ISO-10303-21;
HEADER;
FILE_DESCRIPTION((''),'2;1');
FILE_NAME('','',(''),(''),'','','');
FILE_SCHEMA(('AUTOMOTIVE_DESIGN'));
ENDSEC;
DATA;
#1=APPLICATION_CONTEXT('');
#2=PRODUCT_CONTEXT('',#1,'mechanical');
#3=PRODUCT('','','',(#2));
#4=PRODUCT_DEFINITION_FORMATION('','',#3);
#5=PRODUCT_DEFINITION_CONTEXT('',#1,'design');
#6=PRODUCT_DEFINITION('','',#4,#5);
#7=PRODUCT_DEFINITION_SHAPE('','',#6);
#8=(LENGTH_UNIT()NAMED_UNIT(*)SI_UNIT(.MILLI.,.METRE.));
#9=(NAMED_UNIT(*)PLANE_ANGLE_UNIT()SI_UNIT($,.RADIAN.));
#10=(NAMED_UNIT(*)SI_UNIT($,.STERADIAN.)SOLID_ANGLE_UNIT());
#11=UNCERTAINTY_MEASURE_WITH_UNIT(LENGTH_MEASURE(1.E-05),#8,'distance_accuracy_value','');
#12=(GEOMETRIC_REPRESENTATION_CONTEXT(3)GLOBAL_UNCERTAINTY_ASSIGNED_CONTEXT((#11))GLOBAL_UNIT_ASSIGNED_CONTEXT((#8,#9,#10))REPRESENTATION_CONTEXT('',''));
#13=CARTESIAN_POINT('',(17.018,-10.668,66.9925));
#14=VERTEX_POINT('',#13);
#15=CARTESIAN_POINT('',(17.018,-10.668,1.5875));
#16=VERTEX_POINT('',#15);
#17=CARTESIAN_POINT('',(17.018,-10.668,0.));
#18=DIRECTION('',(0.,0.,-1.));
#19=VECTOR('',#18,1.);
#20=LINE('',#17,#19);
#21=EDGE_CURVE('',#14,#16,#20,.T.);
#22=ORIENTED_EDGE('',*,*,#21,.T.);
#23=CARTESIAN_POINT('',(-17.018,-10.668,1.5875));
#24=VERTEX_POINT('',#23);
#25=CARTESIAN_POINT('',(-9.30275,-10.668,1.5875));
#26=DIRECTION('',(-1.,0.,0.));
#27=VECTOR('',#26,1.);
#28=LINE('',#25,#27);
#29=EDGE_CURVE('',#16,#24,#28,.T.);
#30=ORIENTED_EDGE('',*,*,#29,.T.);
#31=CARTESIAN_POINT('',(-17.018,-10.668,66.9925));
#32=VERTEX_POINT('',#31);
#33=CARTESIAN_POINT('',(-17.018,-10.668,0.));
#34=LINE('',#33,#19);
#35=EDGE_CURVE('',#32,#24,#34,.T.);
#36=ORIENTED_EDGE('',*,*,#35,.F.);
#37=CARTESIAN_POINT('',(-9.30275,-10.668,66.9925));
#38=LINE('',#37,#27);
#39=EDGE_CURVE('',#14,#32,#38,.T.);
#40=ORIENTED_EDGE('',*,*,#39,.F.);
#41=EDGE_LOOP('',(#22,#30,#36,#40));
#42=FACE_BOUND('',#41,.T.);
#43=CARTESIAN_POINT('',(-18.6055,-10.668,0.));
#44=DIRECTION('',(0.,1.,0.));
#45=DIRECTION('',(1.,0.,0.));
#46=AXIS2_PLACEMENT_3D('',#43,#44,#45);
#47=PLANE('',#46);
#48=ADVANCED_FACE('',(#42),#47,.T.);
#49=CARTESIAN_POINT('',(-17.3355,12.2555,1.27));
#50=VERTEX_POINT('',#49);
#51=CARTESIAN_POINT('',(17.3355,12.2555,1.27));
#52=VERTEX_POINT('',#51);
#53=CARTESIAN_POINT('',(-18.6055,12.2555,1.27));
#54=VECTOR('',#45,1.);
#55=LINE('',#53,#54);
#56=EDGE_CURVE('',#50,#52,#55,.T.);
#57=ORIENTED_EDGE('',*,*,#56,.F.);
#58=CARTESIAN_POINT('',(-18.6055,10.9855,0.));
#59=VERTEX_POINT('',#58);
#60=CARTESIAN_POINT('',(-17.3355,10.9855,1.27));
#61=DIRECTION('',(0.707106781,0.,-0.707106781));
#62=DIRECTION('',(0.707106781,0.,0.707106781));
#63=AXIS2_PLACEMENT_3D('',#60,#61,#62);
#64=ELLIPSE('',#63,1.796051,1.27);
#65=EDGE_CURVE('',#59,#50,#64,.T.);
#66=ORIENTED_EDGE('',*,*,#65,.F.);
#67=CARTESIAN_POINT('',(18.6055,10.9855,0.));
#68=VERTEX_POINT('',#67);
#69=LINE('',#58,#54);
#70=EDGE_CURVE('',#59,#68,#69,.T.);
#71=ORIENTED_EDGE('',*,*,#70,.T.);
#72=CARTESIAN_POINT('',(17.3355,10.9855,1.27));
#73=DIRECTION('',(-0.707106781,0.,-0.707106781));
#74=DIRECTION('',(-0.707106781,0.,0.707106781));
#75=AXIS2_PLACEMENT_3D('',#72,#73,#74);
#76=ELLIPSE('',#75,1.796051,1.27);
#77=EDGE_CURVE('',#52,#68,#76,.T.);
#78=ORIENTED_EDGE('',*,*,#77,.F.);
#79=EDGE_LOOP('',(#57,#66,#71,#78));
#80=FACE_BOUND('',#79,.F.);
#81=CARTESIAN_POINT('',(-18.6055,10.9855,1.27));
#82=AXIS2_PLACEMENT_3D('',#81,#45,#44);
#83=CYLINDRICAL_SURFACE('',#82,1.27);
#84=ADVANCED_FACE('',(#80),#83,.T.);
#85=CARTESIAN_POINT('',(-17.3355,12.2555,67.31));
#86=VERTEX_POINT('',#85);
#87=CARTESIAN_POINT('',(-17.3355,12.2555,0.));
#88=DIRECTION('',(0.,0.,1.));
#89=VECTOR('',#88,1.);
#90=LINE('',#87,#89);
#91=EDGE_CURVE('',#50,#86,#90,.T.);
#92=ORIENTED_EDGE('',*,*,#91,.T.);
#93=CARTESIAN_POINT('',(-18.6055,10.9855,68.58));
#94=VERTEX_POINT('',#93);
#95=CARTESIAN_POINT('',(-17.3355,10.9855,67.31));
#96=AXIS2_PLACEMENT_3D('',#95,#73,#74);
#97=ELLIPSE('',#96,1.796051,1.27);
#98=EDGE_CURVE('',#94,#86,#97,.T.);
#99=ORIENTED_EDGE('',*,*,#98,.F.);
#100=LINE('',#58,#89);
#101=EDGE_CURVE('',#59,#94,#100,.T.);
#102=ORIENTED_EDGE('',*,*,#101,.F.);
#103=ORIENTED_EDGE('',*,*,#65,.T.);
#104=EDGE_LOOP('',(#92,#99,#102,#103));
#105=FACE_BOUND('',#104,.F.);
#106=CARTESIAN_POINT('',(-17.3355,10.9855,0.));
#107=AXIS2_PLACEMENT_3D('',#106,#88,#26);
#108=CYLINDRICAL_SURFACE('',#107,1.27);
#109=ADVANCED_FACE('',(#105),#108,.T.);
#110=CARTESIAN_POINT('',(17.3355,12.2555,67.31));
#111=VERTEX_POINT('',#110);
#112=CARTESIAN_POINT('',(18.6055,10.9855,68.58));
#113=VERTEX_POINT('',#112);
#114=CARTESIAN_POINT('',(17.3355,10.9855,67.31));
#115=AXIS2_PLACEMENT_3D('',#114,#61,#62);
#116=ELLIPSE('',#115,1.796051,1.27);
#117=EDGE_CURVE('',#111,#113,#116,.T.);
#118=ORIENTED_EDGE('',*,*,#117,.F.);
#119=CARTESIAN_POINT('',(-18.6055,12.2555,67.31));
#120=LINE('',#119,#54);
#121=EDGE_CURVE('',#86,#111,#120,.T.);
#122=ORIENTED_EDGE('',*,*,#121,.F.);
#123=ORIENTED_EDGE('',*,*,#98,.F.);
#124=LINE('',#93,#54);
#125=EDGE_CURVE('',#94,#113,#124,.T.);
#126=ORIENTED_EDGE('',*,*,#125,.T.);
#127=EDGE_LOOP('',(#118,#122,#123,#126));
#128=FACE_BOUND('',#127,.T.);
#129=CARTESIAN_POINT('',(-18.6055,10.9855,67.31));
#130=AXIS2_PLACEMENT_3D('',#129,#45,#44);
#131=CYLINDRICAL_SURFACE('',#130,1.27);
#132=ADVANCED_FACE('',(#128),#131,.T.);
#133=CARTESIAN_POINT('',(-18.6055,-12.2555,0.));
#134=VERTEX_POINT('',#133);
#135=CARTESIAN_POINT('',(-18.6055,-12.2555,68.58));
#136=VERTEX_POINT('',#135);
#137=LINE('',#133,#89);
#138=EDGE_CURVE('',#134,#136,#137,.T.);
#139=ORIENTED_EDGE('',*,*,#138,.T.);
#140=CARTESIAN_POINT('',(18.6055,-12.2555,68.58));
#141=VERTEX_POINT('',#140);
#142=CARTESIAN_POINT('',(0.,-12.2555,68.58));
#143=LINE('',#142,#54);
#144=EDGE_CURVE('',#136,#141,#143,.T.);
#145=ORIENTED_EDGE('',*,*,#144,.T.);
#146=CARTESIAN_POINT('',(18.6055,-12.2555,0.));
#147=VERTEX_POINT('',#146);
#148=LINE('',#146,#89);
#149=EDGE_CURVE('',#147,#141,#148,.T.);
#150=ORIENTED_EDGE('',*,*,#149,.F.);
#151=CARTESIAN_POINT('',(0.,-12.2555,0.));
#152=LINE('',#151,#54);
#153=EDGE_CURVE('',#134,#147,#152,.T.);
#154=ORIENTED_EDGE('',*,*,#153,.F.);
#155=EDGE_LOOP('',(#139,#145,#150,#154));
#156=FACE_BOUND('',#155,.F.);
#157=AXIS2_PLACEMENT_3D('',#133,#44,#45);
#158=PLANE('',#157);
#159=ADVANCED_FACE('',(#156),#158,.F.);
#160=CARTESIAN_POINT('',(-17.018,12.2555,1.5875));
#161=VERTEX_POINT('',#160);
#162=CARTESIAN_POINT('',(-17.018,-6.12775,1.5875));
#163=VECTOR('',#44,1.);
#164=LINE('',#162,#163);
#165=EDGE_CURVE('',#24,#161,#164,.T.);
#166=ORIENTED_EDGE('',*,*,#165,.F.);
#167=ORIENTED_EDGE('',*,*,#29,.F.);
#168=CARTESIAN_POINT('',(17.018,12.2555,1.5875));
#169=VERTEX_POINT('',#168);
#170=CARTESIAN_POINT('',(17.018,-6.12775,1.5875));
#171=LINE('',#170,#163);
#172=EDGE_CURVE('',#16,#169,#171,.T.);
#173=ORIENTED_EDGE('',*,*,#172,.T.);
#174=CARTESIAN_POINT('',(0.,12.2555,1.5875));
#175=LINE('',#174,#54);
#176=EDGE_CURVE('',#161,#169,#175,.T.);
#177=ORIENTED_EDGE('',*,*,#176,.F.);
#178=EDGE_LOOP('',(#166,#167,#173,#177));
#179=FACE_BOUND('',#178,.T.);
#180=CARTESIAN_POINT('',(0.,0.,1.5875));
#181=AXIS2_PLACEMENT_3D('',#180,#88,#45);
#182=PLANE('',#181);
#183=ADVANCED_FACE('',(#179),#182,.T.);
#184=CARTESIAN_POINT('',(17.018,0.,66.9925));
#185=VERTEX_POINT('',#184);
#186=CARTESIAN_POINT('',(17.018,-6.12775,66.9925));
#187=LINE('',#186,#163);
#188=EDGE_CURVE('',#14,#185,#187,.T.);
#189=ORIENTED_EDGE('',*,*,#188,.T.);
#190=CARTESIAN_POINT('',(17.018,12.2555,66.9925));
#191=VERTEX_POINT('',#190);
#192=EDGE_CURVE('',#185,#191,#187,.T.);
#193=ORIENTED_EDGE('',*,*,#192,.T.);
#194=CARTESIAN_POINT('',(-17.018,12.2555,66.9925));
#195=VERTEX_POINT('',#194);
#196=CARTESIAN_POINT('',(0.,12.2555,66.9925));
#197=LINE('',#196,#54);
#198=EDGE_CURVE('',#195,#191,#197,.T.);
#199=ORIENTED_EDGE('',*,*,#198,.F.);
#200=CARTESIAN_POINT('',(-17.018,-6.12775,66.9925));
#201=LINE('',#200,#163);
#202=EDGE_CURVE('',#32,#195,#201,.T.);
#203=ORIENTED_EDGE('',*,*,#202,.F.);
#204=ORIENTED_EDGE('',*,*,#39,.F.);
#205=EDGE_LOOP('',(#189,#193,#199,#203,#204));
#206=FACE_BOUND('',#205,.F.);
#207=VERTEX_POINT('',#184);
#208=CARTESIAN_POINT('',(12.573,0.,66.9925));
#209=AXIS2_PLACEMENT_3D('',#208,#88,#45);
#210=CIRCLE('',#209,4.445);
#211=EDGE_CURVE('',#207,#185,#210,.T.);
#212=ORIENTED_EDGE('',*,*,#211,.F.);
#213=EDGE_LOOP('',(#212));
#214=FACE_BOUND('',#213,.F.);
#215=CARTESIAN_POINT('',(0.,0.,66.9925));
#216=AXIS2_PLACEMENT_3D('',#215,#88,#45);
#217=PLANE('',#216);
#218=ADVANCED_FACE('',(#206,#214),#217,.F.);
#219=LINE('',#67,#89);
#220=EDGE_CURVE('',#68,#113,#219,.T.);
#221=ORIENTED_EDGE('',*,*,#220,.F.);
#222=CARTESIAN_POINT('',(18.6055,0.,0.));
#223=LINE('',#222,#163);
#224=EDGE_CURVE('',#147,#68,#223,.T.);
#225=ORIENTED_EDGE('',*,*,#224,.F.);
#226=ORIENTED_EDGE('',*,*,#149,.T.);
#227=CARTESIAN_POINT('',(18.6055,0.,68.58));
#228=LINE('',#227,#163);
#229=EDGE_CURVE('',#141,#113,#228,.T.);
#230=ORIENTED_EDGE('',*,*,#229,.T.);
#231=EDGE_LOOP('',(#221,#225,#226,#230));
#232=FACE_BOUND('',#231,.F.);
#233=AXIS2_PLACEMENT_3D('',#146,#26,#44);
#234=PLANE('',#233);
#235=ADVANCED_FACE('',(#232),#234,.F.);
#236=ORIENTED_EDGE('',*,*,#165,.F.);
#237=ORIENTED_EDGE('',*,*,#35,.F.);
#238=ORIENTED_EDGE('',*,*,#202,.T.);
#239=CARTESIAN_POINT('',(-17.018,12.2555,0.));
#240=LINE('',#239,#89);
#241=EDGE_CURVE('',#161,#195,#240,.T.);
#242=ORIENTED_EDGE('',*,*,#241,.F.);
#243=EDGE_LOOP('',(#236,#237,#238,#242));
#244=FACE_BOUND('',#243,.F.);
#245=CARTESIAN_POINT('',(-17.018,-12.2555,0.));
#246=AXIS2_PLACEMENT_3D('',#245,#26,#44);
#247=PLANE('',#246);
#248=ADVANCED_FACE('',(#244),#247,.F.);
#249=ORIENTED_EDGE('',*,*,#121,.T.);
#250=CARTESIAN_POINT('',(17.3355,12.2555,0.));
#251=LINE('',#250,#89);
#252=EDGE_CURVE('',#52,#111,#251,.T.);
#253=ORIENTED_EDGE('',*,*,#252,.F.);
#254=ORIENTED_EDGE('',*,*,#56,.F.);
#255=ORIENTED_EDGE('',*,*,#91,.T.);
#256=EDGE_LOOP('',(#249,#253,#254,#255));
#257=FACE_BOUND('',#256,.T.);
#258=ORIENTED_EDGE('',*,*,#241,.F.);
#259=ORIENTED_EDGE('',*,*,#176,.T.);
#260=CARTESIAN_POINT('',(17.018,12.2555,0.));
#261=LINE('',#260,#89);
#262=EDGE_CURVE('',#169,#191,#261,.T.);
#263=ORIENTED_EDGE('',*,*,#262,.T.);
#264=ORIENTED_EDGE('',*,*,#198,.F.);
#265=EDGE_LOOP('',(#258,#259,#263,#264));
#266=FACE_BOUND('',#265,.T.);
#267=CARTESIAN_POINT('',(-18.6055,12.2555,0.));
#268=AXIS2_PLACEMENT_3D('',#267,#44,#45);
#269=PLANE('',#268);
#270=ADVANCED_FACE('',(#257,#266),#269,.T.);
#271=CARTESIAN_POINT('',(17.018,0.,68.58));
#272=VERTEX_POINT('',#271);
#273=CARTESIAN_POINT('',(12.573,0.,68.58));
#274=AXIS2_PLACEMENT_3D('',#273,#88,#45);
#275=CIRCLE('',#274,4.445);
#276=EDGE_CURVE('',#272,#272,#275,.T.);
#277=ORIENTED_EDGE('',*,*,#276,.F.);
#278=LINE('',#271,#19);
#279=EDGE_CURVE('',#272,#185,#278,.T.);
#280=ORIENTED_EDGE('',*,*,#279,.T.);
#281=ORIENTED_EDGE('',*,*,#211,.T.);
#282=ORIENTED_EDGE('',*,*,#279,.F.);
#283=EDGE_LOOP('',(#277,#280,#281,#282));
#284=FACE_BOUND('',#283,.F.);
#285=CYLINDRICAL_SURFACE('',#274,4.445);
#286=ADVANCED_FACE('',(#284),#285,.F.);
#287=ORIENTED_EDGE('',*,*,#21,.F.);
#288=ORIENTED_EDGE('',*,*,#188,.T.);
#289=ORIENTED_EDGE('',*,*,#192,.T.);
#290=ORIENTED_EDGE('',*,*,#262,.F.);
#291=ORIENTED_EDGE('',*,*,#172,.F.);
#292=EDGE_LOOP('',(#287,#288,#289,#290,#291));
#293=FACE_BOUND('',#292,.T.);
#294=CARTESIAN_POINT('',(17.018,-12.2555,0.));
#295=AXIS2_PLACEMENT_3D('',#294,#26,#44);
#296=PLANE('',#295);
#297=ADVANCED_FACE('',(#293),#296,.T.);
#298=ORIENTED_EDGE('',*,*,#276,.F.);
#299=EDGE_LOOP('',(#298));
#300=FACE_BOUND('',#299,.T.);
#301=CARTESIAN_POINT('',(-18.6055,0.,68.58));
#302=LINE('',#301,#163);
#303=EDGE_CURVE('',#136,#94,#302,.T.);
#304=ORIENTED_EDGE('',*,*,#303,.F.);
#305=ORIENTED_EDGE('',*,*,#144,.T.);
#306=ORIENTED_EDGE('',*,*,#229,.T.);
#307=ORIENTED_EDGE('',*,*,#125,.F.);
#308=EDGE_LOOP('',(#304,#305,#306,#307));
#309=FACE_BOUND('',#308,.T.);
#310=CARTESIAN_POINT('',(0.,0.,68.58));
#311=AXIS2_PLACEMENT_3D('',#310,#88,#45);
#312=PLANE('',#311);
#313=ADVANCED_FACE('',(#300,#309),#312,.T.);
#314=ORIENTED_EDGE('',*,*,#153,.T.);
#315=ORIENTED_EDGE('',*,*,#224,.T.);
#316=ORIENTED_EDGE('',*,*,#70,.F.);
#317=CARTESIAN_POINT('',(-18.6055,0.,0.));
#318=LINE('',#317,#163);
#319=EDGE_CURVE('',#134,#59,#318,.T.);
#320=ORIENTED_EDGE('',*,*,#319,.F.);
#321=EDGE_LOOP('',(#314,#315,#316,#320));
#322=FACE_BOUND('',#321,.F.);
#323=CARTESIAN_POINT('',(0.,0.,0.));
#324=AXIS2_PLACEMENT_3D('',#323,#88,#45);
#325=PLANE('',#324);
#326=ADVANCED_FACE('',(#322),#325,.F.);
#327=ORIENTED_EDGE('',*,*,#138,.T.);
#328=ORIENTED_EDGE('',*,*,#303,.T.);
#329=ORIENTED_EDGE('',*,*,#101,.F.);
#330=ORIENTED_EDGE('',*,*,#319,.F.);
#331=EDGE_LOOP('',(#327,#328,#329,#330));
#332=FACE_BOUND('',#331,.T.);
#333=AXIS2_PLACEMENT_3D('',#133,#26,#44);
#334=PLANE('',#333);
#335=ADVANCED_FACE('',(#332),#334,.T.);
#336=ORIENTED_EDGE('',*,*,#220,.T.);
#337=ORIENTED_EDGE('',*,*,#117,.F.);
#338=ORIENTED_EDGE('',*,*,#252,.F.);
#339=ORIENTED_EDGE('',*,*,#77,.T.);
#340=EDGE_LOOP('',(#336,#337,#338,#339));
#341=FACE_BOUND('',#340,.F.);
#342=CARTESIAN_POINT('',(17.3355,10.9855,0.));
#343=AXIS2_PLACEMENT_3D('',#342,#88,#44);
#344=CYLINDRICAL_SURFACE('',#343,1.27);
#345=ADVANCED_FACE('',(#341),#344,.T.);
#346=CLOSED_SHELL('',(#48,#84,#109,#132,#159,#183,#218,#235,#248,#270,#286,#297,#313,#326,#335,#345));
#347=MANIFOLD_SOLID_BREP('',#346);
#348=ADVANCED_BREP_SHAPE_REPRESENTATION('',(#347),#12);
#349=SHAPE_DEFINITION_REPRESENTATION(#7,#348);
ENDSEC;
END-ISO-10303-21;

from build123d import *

# Parameters (mm, degrees)
F0_W     = 37.211
F0_H     = 24.511
F1_DEPTH = 68.58
F2_T     = -1.5875
F3_R     = 4.445
F4_DEPTH = 1.5875
F5_R     = 1.27


with BuildPart() as f1:
    # F0 (on Top) → F1 (new body)
    with BuildSketch(Plane.XY):
        Rectangle(F0_W, F0_H)
    extrude(amount=F1_DEPTH)

    # F2
    f2_openings = [f1.faces().sort_by_distance(p)[0] for p in [
        (0, 12.2555, 34.29),
    ]]
    offset(amount=F2_T, openings=f2_openings)

    # F3 (on face) → F4 (cut)
    with BuildSketch(Plane.XY.offset(68.58)):
        with Locations((12.573, 0)):
            Circle(F3_R)
    extrude(amount=-F4_DEPTH, mode=Mode.SUBTRACT)

    # F5
    f5_edges = [f1.edges().sort_by_distance(p)[0] for p in [
        (-18.6055, 12.2555, 34.29),
        (0, 12.2555, 68.58),
        (18.6055, 12.2555, 34.29),
        (0, 12.2555, 0),
    ]]
    fillet(f5_edges, radius=F5_R)


solid = f1.part
